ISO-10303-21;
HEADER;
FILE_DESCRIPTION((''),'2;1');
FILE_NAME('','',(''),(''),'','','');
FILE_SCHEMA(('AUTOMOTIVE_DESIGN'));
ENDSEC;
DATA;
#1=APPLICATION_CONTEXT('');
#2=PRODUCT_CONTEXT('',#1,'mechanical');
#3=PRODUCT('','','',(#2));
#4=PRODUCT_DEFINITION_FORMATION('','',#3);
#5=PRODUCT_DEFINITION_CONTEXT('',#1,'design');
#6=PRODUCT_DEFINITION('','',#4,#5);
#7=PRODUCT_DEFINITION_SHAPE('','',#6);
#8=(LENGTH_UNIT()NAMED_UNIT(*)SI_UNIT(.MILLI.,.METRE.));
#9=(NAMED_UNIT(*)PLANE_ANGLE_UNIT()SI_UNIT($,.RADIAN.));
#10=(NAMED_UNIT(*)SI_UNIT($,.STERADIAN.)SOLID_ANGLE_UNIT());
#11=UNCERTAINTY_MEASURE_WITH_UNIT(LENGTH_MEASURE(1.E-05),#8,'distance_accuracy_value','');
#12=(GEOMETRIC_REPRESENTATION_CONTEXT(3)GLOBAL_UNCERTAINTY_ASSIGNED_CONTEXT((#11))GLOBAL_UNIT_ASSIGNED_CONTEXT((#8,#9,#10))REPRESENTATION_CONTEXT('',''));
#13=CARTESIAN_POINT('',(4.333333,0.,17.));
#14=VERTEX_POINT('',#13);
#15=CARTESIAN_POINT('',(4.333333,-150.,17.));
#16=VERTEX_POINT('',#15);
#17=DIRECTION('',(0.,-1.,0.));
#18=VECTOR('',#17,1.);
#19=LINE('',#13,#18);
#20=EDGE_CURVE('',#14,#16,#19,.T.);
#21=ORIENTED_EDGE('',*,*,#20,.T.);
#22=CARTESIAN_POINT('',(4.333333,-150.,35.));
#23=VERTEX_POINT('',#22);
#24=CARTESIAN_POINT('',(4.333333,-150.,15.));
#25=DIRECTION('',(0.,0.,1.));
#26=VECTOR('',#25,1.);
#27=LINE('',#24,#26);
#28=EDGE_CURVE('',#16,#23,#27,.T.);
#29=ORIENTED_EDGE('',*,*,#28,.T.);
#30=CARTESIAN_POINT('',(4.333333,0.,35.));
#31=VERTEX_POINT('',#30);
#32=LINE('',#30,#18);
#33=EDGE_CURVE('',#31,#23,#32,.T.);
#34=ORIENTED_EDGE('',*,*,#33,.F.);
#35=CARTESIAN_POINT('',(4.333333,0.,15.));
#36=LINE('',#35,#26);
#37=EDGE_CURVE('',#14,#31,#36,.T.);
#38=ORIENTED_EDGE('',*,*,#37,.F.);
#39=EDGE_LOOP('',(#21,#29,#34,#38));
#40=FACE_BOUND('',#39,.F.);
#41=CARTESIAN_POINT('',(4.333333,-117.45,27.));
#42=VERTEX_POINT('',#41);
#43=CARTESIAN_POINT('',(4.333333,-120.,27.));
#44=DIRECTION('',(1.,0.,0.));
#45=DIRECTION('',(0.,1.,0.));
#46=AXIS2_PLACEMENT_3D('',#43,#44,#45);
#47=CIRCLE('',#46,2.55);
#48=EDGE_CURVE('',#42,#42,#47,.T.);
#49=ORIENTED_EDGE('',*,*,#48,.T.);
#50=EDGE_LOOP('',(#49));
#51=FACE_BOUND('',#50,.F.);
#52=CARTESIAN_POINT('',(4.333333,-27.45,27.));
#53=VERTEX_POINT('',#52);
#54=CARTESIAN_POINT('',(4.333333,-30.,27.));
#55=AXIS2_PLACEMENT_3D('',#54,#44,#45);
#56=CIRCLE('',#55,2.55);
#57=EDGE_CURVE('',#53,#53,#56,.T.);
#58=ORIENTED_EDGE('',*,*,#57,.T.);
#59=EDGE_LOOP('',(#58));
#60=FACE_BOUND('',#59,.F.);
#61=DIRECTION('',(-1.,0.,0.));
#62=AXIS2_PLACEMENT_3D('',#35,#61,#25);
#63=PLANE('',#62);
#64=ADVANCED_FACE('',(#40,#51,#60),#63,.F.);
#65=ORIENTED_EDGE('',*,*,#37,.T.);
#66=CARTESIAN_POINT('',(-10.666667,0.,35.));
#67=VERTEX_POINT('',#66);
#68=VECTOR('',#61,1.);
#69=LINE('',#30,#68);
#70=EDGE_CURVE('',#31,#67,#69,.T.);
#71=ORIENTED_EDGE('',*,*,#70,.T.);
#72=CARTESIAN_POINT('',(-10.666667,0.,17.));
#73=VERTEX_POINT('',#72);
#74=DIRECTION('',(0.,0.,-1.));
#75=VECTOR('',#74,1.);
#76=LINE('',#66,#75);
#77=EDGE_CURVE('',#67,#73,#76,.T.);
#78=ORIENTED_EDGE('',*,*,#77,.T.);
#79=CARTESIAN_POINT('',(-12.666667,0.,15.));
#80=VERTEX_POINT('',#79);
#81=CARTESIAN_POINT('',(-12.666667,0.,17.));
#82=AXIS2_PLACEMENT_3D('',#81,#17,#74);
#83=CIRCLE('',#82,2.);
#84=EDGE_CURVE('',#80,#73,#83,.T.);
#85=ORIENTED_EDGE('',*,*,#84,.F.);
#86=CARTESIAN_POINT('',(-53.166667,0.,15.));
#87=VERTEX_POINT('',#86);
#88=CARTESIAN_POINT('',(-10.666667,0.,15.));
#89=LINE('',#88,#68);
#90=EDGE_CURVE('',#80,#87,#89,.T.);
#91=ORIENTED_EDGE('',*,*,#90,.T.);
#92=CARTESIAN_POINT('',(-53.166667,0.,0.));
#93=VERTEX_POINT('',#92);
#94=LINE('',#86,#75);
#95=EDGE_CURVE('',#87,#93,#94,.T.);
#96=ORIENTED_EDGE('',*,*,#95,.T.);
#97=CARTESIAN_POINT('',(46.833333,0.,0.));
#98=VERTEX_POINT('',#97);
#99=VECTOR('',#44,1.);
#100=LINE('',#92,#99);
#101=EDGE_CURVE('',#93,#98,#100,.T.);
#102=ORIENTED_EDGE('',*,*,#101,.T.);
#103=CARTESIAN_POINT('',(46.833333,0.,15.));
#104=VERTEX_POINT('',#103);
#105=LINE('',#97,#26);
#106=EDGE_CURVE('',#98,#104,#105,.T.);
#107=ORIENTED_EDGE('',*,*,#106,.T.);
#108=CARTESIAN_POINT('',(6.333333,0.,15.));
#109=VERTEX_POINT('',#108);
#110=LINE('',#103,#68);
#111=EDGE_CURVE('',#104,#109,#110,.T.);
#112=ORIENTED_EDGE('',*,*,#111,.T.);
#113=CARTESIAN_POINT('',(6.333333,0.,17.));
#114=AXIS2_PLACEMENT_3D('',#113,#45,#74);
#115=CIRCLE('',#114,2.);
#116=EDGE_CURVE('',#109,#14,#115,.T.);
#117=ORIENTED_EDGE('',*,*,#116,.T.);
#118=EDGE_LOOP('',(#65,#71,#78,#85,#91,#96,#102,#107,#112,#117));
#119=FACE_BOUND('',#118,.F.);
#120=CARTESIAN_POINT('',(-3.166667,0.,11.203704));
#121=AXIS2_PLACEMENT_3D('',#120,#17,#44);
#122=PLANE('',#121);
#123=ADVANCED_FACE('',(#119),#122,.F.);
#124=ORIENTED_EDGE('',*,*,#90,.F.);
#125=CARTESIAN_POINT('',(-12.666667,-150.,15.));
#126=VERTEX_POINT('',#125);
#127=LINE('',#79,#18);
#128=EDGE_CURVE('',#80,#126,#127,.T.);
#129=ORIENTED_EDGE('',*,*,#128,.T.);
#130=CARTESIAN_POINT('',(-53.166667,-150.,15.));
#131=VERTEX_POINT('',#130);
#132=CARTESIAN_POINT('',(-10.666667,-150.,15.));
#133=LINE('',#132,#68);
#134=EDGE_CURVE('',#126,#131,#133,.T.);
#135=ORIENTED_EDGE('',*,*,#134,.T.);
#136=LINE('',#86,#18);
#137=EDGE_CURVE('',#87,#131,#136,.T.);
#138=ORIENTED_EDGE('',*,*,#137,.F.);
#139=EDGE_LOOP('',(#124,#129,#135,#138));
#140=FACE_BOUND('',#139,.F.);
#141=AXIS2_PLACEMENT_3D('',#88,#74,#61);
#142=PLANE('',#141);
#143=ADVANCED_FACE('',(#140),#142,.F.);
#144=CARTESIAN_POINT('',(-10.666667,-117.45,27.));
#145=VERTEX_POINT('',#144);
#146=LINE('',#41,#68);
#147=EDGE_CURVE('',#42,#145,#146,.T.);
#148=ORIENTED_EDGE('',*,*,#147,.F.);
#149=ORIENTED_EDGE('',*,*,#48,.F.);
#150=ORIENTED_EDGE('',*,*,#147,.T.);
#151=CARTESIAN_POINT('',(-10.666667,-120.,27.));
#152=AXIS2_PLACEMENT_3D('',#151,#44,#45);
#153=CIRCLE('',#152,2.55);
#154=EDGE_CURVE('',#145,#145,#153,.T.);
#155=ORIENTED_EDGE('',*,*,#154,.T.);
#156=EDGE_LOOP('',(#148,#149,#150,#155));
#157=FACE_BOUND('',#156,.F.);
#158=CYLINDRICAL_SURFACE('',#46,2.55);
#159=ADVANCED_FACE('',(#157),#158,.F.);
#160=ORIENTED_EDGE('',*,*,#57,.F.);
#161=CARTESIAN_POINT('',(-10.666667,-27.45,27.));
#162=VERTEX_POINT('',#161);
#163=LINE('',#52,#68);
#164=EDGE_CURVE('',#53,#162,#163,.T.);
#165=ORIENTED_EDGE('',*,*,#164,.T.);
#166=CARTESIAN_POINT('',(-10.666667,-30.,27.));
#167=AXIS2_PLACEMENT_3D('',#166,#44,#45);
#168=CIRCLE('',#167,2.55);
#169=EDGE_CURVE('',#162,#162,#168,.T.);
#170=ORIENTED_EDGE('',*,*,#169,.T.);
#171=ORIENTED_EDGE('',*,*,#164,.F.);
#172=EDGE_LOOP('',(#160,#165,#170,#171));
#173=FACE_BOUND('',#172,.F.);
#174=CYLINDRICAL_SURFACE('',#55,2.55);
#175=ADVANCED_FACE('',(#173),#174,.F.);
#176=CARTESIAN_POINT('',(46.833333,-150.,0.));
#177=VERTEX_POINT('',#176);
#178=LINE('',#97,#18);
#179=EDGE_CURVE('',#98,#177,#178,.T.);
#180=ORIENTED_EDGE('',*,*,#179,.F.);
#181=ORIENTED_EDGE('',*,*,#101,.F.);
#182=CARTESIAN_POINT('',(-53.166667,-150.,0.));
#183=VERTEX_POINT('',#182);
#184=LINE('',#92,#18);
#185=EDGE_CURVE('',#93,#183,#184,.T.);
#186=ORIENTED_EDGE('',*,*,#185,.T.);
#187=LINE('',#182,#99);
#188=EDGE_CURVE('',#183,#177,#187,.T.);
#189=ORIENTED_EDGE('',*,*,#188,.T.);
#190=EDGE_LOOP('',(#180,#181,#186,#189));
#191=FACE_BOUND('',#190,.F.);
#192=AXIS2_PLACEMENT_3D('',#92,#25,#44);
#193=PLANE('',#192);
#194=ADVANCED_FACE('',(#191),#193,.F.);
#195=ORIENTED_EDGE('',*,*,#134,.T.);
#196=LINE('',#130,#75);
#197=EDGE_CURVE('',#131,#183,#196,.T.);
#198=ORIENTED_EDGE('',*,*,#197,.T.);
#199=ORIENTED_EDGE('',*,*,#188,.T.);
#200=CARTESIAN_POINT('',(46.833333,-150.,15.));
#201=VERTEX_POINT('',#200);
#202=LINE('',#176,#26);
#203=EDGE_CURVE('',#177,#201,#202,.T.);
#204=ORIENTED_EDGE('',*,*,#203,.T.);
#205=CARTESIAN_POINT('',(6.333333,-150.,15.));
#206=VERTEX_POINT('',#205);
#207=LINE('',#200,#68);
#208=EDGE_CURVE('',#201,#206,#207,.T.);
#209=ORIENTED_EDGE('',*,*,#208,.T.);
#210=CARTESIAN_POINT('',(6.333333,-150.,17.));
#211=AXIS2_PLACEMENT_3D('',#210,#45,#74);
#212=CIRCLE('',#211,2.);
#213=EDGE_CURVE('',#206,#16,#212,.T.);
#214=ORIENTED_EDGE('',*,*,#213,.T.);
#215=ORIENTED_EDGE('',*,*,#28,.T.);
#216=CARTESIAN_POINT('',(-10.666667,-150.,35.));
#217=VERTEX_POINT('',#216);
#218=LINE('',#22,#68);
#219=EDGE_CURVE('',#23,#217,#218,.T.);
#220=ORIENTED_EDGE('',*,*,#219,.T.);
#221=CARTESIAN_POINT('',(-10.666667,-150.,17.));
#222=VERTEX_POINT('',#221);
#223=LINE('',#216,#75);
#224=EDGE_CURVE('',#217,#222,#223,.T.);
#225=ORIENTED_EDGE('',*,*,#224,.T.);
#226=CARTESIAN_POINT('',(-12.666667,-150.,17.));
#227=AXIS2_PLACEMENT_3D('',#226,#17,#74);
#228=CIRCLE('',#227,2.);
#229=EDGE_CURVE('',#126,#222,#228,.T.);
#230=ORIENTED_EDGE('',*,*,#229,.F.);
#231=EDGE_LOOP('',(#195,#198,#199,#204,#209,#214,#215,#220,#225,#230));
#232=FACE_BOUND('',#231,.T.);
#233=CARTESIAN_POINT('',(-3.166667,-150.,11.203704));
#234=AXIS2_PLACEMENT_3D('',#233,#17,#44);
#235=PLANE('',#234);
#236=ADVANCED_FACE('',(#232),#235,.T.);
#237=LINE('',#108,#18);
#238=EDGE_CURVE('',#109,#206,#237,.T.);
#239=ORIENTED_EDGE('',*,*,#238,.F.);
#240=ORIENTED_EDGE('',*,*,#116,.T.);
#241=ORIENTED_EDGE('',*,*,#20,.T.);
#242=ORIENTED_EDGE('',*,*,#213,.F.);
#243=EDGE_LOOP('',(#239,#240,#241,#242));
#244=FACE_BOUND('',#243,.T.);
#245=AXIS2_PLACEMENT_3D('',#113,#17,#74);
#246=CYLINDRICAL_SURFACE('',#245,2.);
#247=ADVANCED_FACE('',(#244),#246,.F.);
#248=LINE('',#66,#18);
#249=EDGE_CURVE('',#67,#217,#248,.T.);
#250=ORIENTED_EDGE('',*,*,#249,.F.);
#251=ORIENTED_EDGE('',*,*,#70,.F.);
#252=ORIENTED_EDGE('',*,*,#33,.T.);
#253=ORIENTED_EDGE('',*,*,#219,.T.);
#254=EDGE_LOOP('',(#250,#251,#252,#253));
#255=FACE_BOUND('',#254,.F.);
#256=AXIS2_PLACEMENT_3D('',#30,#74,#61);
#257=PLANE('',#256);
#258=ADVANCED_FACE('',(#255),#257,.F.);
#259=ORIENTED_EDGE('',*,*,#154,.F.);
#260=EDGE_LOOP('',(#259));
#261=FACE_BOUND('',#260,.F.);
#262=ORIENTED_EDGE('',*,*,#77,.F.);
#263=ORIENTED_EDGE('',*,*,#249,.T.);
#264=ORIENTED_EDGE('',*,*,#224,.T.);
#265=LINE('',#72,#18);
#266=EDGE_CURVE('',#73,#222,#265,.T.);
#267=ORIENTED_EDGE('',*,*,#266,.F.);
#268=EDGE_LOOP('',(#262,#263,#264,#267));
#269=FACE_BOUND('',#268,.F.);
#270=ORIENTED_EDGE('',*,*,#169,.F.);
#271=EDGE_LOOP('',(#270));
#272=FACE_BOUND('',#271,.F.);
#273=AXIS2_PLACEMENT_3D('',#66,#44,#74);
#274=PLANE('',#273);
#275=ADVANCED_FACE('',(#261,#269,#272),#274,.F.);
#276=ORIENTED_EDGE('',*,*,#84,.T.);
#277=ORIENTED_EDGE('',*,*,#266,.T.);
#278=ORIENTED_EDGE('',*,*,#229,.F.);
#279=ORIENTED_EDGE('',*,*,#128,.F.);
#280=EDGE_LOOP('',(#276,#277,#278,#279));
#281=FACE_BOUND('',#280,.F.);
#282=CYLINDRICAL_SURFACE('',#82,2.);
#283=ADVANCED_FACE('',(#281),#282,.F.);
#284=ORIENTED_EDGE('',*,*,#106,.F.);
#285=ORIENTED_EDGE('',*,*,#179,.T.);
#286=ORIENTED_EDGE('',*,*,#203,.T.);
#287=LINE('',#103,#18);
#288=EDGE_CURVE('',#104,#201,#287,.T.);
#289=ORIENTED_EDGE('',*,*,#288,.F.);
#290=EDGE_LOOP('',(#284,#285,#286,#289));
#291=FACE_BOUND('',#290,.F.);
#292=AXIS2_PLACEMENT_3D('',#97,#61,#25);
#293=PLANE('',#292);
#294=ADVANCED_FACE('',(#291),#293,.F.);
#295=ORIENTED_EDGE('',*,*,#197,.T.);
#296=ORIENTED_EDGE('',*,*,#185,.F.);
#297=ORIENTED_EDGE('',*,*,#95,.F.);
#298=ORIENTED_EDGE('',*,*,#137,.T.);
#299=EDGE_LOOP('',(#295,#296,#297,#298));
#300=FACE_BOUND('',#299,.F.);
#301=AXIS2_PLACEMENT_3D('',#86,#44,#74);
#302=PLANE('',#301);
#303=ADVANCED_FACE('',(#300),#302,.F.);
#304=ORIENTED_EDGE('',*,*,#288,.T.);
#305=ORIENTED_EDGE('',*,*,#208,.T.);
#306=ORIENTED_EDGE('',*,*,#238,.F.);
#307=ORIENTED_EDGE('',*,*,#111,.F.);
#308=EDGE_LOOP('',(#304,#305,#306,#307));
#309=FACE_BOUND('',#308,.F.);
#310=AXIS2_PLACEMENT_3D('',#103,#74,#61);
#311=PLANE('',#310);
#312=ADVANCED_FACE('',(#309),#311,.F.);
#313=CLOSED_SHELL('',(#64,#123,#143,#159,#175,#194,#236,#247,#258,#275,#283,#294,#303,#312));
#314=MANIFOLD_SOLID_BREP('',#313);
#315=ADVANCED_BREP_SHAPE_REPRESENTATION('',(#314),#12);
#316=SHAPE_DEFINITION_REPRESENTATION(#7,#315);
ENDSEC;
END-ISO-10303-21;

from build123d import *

# Parameters (mm, degrees)
F1_DEPTH = 150
F2_R     = 2.55
F3_DEPTH = 15
F4_R     = 2


with BuildPart() as f1:
    # F0 (on Front) → F1 (new body)
    with BuildSketch(Plane.XZ):
        Polygon((-53.166667, 15), (-53.166667, 0), (46.833333, 0), (46.833333, 15), (4.333333, 15), (4.333333, 35), (-10.666667, 35), (-10.666667, 15), align=None)
    extrude(amount=F1_DEPTH)

    # F2 (on face) → F3 (cut, through all)
    with BuildSketch(Plane.YZ.offset(4.333333)):
        with Locations((-120, 27)):
            Circle(F2_R)
        with Locations((-30, 27)):
            Circle(F2_R)
    extrude(amount=-F3_DEPTH, mode=Mode.SUBTRACT)

    # F4
    f4_edges = [f1.edges().sort_by_distance(p)[0] for p in [
        (-10.666667, -75, 15),
        (4.333333, -75, 15),
    ]]
    fillet(f4_edges, radius=F4_R)


solid = f1.part
